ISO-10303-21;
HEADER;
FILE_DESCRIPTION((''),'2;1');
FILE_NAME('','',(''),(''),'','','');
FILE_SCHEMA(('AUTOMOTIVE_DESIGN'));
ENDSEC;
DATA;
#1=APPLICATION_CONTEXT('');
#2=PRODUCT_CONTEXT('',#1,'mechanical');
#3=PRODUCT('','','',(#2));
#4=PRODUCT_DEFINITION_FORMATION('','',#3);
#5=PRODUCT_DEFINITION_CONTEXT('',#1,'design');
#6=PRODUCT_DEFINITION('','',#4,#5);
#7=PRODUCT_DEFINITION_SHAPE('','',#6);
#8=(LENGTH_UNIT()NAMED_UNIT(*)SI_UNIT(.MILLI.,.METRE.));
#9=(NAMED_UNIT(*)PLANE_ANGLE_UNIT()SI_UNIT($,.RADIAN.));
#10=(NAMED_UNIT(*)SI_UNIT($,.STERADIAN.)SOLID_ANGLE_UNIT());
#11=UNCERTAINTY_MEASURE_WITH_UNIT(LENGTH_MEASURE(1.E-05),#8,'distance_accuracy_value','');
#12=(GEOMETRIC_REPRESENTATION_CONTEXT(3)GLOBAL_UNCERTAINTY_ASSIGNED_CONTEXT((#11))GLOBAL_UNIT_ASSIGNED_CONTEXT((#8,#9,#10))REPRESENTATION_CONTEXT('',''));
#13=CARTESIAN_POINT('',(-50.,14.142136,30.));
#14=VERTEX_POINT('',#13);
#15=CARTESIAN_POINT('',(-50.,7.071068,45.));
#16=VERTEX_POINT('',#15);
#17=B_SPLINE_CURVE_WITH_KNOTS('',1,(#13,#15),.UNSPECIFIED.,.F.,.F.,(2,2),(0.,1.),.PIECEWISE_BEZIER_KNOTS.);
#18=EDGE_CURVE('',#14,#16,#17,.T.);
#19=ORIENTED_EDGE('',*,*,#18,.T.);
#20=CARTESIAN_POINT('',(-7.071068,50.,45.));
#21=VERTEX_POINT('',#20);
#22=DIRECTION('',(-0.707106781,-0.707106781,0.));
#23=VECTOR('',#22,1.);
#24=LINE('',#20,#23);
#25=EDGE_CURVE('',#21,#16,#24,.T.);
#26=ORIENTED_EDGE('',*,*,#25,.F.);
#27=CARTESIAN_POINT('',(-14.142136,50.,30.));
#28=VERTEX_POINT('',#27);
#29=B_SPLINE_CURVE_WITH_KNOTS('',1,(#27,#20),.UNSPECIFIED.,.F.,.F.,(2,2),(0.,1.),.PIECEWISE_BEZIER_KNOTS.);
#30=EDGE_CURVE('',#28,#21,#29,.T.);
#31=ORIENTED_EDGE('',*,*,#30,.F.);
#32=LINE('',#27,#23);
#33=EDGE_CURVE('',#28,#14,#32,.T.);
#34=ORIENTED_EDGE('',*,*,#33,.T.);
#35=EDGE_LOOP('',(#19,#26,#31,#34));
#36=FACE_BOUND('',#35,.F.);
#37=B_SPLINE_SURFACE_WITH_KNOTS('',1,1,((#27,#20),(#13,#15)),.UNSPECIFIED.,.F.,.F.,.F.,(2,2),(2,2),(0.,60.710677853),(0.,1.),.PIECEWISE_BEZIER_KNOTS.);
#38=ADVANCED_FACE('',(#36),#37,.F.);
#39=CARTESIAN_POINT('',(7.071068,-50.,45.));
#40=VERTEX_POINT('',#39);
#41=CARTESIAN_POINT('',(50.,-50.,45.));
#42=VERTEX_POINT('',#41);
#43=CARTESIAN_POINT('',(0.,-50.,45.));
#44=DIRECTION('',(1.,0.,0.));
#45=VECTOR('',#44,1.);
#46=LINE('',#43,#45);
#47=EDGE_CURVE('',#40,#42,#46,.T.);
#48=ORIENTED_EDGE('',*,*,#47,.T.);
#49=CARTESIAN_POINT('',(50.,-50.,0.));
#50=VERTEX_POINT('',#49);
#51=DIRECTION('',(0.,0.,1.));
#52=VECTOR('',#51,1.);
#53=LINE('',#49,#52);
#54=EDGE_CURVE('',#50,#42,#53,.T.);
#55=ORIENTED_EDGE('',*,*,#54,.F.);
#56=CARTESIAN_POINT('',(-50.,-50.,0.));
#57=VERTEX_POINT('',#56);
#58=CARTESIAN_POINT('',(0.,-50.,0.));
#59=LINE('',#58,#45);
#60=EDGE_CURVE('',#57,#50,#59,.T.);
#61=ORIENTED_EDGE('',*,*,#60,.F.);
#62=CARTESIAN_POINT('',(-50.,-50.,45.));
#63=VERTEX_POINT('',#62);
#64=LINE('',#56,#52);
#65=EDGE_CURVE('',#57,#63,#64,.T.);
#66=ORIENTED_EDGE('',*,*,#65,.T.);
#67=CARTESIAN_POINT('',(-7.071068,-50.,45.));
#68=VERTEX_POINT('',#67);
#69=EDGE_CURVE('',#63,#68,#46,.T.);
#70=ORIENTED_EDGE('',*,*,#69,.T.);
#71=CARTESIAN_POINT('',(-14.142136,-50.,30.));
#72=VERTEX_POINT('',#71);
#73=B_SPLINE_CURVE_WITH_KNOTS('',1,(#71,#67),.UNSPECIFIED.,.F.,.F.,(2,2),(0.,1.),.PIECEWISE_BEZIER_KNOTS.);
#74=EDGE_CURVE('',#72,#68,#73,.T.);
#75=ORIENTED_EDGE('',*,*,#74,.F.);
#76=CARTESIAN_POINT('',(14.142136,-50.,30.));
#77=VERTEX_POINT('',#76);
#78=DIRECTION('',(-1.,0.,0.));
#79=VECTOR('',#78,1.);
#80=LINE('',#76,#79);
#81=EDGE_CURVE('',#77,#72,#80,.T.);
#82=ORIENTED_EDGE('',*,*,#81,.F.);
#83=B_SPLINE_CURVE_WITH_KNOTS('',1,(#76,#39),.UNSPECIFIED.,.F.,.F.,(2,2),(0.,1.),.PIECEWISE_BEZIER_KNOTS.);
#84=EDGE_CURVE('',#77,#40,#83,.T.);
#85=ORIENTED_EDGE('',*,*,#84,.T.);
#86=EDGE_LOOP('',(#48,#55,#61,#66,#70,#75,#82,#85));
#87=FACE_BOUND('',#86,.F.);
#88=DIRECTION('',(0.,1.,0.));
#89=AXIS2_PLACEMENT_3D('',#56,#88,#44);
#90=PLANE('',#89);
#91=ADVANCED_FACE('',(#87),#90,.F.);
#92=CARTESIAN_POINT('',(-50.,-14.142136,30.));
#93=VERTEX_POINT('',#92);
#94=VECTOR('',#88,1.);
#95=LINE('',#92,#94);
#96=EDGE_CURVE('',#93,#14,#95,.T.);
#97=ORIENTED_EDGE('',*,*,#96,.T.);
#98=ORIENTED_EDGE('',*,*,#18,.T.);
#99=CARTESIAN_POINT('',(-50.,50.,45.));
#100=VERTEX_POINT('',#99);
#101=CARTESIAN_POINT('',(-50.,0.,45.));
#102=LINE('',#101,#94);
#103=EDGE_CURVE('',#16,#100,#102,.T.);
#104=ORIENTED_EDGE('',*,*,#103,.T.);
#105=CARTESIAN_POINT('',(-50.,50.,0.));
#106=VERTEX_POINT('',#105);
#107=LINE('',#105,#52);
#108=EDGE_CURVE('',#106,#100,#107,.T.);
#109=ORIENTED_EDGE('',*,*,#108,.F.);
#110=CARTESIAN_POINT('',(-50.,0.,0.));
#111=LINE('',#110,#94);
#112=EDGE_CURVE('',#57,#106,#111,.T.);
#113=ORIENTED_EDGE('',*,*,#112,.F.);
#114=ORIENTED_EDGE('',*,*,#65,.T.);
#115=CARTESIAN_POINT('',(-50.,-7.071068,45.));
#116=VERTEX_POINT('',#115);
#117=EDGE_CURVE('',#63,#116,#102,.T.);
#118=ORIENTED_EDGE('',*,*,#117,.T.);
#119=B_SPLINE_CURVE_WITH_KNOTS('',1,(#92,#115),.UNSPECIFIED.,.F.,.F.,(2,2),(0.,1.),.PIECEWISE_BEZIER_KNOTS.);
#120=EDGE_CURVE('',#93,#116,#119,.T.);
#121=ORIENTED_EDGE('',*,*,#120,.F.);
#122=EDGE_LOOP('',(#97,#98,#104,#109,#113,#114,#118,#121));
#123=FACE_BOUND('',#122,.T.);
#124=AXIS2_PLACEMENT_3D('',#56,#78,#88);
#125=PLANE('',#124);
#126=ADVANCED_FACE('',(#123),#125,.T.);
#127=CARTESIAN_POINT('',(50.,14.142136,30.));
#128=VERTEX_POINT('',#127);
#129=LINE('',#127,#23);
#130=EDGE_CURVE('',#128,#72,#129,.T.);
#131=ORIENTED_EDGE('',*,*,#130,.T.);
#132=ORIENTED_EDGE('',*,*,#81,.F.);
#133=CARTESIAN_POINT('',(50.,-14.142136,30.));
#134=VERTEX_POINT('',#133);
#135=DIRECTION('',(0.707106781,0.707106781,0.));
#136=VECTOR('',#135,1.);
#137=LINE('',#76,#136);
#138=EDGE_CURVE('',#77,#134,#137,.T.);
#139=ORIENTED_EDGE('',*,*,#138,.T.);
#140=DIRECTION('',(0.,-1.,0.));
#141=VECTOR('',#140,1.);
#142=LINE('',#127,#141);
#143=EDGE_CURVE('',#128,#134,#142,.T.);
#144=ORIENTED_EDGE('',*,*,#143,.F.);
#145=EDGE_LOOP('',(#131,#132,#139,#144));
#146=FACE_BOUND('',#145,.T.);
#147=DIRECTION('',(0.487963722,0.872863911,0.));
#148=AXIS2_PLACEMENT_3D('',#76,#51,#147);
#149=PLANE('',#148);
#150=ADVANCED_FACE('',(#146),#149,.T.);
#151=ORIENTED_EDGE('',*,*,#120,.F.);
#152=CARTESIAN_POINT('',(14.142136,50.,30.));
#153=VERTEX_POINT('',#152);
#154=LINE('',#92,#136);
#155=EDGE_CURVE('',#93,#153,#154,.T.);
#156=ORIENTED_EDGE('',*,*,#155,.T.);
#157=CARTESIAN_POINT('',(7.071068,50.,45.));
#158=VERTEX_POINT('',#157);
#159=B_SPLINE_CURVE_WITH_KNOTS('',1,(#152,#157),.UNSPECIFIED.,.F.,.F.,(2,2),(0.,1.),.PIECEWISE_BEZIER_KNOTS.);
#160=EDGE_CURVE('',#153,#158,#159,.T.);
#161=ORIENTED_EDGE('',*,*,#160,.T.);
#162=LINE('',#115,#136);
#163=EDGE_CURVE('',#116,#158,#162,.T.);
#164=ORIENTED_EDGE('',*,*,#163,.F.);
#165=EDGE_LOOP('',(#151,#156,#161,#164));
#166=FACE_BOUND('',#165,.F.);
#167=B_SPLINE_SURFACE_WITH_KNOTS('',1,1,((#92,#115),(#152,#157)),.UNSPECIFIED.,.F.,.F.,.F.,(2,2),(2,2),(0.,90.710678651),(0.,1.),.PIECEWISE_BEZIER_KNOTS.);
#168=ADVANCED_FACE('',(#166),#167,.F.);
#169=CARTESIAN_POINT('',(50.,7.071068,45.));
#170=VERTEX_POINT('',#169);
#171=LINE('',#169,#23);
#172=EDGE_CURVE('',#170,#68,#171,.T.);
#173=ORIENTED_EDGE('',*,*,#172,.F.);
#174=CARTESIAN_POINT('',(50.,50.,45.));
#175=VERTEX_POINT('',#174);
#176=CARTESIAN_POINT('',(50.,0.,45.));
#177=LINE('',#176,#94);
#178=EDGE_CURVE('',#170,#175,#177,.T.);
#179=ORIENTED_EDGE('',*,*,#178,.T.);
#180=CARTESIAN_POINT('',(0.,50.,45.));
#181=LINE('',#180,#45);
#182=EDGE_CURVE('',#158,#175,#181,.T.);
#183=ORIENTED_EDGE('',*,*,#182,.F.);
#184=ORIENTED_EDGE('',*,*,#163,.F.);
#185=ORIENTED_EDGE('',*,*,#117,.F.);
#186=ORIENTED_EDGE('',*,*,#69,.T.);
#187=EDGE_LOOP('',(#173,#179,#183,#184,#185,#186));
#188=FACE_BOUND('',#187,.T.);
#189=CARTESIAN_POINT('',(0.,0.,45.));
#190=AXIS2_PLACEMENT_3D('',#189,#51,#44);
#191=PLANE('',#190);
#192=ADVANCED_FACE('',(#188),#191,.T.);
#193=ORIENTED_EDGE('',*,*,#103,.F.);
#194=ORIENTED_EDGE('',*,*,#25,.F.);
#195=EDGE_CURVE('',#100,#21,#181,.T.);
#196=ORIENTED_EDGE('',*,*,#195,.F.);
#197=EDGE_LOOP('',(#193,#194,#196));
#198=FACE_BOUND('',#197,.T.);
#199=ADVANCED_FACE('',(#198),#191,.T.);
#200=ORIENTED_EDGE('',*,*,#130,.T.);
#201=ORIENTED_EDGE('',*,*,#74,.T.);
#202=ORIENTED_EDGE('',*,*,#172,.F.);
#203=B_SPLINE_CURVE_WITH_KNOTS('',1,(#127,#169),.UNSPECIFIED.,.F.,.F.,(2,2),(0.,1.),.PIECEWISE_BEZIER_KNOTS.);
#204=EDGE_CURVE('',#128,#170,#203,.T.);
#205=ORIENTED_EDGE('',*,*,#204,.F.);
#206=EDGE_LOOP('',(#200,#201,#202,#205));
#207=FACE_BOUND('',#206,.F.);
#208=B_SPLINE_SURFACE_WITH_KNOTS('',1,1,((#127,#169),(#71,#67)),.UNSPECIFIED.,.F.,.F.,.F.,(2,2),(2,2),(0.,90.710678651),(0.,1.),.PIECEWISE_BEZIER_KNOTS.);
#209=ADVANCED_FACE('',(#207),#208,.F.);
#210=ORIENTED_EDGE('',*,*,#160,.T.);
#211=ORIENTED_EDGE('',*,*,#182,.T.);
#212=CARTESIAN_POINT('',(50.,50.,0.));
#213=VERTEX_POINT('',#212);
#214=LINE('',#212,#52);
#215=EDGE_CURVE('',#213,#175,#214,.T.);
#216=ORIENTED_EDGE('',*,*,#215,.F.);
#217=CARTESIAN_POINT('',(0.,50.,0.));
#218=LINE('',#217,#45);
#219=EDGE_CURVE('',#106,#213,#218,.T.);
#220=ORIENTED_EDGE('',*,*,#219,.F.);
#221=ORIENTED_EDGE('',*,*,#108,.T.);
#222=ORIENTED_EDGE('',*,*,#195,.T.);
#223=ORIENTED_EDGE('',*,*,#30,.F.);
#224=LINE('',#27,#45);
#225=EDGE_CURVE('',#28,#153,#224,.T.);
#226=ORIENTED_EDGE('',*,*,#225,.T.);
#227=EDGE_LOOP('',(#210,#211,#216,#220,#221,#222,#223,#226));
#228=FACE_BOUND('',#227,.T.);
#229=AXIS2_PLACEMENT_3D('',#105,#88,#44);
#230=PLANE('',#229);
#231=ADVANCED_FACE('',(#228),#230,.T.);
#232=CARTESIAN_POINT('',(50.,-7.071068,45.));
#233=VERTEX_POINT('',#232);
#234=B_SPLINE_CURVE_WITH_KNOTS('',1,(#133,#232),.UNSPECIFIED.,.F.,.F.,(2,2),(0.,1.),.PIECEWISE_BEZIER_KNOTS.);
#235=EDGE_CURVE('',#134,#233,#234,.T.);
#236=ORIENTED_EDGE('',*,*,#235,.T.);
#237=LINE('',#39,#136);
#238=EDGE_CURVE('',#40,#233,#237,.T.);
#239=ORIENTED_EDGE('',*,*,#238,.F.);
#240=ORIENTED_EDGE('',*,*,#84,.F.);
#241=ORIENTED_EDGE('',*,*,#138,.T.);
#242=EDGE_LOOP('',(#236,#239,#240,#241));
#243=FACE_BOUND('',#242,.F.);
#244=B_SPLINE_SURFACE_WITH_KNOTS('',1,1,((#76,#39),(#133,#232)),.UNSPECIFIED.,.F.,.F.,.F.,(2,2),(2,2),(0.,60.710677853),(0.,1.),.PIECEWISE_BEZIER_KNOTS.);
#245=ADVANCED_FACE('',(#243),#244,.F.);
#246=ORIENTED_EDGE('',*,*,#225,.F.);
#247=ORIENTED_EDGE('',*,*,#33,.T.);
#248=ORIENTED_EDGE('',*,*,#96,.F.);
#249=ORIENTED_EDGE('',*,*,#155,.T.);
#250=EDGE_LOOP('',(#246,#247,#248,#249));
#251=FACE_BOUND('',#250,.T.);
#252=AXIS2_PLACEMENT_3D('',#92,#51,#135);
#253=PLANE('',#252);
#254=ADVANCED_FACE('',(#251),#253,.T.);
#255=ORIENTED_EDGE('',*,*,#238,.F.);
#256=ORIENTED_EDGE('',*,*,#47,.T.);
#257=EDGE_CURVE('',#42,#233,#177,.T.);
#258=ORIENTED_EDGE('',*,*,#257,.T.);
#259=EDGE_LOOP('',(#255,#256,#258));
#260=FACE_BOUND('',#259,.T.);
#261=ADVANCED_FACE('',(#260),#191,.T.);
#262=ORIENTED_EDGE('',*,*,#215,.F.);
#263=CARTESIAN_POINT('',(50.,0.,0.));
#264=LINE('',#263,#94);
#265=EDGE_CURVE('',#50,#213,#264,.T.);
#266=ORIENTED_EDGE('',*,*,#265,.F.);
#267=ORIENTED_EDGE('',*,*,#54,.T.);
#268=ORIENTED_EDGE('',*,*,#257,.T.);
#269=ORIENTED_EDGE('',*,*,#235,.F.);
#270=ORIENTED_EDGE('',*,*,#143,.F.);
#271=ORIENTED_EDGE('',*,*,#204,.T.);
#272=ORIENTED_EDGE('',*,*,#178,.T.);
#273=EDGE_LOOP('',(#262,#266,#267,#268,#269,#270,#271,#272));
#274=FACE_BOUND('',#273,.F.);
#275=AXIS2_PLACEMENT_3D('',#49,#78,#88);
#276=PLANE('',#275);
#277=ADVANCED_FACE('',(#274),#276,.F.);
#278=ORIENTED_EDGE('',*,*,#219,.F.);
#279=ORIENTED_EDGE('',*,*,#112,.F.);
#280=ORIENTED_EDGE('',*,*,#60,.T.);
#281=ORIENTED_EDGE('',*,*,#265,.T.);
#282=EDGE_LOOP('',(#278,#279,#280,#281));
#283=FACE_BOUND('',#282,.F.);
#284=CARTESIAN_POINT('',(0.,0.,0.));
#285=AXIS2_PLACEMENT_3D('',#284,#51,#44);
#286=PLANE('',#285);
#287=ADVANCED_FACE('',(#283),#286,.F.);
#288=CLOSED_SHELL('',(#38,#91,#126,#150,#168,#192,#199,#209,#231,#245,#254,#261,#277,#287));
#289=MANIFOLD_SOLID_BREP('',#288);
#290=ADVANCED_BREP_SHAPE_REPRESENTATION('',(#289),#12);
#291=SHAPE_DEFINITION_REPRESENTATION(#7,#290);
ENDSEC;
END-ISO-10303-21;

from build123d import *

# Parameters (mm, degrees)
F0_W     = 100
F0_H     = 100
F1_DEPTH = 45
F6_DEPTH = 15


with BuildPart() as f1:
    # F0 (on Top) → F1 (new body)
    with BuildSketch(Plane.XY):
        Rectangle(F0_W, F0_H)
    extrude(amount=F1_DEPTH)

    # F5 (on offset) → F6 (cut)
    with BuildSketch(Plane.XY.offset(45)):
        Polygon((50, -7.071068), (50, 7.071068), (-7.071068, -50), (7.071068, -50), align=None)
        Polygon((7.071068, 50), (-7.071068, 50), (-50, 7.071068), (-50, -7.071068), align=None)
    extrude(amount=-F6_DEPTH, mode=Mode.SUBTRACT)

    # F3 (on offset) → F7 section 0
    with BuildSketch(Plane.XY.offset(30)):
        Polygon((14.142136, -50), (50, -14.142136), (50, 14.142136), (-14.142136, -50), align=None)
    # F5 (on offset) → F7 section 1
    with BuildSketch(Plane.XY.offset(45)):
        Polygon((50, -7.071068), (50, 7.071068), (-7.071068, -50), (7.071068, -50), align=None)
    loft(mode=Mode.SUBTRACT)

    # F3 (on offset) → F8 section 0
    with BuildSketch(Plane.XY.offset(30)):
        Polygon((-50, -14.142136), (14.142136, 50), (-14.142136, 50), (-50, 14.142136), align=None)
    # F5 (on offset) → F8 section 1
    with BuildSketch(Plane.XY.offset(45)):
        Polygon((7.071068, 50), (-7.071068, 50), (-50, 7.071068), (-50, -7.071068), align=None)
    loft(mode=Mode.SUBTRACT)


solid = f1.part
